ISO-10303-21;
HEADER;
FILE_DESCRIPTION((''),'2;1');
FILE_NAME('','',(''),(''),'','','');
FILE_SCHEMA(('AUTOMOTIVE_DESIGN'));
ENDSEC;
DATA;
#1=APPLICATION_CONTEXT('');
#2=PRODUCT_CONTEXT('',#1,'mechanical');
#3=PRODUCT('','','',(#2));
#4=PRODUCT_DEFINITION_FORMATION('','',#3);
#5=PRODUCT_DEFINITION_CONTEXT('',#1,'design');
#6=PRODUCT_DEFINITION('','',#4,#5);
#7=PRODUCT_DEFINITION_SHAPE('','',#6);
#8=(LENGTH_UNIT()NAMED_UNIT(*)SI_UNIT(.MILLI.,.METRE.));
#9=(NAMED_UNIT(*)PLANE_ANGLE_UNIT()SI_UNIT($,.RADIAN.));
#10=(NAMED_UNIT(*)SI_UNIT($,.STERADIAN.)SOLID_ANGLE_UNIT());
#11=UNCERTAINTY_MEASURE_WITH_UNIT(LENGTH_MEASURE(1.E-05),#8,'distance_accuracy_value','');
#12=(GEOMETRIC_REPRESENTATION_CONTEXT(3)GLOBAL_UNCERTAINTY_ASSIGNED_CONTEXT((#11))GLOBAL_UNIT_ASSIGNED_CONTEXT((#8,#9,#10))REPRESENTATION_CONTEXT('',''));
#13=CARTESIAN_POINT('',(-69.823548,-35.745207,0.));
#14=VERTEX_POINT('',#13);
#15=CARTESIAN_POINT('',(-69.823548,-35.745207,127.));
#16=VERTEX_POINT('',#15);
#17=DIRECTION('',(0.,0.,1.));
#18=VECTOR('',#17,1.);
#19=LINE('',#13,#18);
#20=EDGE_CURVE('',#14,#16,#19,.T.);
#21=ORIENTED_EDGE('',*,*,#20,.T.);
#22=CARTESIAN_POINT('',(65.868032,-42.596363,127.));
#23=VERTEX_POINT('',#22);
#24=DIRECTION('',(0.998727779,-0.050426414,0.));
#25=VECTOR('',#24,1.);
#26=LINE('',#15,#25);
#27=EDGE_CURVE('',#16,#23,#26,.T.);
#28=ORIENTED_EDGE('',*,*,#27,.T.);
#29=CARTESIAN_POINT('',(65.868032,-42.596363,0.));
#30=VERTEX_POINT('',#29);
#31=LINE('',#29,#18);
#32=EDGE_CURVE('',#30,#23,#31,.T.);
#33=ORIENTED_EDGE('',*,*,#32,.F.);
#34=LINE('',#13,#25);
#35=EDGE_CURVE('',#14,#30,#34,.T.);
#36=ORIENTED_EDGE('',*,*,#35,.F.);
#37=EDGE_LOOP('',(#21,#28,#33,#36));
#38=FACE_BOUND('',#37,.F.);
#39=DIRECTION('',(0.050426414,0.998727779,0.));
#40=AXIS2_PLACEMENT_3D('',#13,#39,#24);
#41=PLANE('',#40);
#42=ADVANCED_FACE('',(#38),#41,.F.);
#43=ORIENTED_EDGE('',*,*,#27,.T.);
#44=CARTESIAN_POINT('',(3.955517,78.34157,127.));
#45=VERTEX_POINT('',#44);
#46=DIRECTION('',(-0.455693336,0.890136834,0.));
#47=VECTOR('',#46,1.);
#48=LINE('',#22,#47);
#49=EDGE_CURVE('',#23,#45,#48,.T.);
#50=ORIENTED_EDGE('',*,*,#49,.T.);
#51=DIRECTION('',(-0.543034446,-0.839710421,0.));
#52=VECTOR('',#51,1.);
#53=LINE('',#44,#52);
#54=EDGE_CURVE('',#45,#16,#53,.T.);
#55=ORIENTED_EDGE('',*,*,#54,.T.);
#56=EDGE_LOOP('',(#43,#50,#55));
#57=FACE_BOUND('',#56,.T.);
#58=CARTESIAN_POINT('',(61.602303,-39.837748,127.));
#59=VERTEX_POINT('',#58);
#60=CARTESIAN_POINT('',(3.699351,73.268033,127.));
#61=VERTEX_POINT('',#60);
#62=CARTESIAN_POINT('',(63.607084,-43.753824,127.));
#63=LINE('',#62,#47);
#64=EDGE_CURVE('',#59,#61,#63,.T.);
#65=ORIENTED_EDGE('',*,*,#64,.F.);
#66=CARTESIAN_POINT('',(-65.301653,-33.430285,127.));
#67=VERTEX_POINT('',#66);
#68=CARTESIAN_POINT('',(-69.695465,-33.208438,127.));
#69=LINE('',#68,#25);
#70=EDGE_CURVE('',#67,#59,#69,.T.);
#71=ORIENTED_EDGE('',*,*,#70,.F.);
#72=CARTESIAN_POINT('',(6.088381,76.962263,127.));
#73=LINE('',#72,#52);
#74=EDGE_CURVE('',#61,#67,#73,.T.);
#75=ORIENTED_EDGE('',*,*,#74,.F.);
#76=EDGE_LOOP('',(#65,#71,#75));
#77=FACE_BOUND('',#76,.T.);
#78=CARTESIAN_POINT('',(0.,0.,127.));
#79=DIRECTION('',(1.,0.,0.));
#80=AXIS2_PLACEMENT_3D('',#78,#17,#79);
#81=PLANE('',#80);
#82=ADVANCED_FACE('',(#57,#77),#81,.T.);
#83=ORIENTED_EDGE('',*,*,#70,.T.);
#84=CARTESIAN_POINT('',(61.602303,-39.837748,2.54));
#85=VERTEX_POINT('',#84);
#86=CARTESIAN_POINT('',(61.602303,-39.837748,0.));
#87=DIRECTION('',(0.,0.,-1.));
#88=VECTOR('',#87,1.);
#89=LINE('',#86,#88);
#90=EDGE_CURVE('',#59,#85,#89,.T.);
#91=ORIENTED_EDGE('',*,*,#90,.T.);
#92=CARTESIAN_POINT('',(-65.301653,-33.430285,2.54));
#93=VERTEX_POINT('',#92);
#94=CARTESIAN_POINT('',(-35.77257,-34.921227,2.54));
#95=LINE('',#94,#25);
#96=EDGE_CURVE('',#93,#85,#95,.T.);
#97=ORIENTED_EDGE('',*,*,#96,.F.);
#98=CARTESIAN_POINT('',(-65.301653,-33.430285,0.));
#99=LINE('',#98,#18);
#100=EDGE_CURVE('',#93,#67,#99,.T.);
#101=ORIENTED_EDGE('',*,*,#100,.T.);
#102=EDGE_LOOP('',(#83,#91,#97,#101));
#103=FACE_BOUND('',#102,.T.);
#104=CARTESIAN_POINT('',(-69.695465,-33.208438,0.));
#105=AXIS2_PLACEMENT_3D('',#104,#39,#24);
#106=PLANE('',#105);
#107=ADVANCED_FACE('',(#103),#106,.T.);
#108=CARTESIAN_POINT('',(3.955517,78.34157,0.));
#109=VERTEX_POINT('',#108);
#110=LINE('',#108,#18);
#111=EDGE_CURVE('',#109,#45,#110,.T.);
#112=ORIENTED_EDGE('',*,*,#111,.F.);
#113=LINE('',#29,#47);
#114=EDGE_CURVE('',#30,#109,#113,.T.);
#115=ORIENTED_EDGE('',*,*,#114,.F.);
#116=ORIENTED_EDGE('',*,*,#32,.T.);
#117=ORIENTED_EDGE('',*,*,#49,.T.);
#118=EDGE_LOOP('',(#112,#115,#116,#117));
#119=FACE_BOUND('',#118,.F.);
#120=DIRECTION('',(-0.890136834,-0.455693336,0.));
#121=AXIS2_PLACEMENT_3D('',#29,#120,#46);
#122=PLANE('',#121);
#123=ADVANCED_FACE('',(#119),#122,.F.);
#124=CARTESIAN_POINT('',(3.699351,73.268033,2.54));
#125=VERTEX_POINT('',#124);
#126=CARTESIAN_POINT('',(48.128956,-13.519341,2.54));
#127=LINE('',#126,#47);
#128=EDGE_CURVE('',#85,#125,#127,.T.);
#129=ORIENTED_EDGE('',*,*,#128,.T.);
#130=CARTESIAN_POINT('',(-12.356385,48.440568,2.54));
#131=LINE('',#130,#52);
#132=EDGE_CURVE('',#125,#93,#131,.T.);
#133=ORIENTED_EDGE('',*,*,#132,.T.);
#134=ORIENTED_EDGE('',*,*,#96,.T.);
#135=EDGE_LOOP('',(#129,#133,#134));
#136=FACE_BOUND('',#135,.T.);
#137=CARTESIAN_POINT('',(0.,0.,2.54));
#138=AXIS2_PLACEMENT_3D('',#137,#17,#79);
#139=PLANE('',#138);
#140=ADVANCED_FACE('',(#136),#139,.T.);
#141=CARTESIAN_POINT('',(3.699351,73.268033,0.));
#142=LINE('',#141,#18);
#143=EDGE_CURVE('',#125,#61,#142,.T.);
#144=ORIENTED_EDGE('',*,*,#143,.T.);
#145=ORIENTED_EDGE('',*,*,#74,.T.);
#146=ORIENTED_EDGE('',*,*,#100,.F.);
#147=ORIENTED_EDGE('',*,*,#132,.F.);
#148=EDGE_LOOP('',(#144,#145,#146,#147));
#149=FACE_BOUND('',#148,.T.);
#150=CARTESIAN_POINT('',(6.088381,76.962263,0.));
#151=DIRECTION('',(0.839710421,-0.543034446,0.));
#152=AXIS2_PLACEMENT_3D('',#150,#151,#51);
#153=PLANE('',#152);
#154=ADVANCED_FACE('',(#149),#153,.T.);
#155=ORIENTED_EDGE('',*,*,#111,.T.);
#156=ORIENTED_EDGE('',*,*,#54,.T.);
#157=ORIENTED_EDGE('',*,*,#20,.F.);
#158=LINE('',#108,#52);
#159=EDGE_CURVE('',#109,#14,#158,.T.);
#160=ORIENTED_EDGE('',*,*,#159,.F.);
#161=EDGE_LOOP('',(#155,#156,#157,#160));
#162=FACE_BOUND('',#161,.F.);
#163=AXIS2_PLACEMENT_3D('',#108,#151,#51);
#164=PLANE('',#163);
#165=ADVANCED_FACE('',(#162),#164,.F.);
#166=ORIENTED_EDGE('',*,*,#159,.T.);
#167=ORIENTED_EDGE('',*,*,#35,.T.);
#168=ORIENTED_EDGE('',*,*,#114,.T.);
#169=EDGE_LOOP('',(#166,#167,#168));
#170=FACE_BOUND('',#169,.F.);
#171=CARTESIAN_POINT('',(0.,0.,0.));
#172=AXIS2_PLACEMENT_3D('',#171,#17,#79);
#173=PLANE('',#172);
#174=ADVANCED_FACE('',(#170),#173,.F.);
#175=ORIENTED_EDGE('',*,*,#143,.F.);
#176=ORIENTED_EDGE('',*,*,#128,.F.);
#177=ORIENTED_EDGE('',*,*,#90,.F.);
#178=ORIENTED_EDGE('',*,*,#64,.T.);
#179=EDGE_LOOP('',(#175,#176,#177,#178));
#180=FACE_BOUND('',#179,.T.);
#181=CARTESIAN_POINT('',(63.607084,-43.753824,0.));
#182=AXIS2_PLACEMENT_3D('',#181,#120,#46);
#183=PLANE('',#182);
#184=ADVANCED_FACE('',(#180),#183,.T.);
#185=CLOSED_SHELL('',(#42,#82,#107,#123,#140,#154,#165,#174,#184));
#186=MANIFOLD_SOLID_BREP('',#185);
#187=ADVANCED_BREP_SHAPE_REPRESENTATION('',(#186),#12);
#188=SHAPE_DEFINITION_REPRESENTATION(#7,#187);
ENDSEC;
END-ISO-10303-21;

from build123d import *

# Parameters (mm, degrees)
F1_DEPTH = 127
F2_T     = -2.54


with BuildPart() as f1:
    # F0 (on Top) → F1 (new body)
    with BuildSketch(Plane.XY):
        Polygon((65.868032, -42.596363), (3.955517, 78.34157), (-69.823548, -35.745207), align=None)
    extrude(amount=F1_DEPTH)

    # F2
    f2_openings = [f1.faces().sort_by_distance(p)[0] for p in [
        (0, 0, 127),
    ]]
    offset(amount=F2_T, openings=f2_openings)


solid = f1.part
